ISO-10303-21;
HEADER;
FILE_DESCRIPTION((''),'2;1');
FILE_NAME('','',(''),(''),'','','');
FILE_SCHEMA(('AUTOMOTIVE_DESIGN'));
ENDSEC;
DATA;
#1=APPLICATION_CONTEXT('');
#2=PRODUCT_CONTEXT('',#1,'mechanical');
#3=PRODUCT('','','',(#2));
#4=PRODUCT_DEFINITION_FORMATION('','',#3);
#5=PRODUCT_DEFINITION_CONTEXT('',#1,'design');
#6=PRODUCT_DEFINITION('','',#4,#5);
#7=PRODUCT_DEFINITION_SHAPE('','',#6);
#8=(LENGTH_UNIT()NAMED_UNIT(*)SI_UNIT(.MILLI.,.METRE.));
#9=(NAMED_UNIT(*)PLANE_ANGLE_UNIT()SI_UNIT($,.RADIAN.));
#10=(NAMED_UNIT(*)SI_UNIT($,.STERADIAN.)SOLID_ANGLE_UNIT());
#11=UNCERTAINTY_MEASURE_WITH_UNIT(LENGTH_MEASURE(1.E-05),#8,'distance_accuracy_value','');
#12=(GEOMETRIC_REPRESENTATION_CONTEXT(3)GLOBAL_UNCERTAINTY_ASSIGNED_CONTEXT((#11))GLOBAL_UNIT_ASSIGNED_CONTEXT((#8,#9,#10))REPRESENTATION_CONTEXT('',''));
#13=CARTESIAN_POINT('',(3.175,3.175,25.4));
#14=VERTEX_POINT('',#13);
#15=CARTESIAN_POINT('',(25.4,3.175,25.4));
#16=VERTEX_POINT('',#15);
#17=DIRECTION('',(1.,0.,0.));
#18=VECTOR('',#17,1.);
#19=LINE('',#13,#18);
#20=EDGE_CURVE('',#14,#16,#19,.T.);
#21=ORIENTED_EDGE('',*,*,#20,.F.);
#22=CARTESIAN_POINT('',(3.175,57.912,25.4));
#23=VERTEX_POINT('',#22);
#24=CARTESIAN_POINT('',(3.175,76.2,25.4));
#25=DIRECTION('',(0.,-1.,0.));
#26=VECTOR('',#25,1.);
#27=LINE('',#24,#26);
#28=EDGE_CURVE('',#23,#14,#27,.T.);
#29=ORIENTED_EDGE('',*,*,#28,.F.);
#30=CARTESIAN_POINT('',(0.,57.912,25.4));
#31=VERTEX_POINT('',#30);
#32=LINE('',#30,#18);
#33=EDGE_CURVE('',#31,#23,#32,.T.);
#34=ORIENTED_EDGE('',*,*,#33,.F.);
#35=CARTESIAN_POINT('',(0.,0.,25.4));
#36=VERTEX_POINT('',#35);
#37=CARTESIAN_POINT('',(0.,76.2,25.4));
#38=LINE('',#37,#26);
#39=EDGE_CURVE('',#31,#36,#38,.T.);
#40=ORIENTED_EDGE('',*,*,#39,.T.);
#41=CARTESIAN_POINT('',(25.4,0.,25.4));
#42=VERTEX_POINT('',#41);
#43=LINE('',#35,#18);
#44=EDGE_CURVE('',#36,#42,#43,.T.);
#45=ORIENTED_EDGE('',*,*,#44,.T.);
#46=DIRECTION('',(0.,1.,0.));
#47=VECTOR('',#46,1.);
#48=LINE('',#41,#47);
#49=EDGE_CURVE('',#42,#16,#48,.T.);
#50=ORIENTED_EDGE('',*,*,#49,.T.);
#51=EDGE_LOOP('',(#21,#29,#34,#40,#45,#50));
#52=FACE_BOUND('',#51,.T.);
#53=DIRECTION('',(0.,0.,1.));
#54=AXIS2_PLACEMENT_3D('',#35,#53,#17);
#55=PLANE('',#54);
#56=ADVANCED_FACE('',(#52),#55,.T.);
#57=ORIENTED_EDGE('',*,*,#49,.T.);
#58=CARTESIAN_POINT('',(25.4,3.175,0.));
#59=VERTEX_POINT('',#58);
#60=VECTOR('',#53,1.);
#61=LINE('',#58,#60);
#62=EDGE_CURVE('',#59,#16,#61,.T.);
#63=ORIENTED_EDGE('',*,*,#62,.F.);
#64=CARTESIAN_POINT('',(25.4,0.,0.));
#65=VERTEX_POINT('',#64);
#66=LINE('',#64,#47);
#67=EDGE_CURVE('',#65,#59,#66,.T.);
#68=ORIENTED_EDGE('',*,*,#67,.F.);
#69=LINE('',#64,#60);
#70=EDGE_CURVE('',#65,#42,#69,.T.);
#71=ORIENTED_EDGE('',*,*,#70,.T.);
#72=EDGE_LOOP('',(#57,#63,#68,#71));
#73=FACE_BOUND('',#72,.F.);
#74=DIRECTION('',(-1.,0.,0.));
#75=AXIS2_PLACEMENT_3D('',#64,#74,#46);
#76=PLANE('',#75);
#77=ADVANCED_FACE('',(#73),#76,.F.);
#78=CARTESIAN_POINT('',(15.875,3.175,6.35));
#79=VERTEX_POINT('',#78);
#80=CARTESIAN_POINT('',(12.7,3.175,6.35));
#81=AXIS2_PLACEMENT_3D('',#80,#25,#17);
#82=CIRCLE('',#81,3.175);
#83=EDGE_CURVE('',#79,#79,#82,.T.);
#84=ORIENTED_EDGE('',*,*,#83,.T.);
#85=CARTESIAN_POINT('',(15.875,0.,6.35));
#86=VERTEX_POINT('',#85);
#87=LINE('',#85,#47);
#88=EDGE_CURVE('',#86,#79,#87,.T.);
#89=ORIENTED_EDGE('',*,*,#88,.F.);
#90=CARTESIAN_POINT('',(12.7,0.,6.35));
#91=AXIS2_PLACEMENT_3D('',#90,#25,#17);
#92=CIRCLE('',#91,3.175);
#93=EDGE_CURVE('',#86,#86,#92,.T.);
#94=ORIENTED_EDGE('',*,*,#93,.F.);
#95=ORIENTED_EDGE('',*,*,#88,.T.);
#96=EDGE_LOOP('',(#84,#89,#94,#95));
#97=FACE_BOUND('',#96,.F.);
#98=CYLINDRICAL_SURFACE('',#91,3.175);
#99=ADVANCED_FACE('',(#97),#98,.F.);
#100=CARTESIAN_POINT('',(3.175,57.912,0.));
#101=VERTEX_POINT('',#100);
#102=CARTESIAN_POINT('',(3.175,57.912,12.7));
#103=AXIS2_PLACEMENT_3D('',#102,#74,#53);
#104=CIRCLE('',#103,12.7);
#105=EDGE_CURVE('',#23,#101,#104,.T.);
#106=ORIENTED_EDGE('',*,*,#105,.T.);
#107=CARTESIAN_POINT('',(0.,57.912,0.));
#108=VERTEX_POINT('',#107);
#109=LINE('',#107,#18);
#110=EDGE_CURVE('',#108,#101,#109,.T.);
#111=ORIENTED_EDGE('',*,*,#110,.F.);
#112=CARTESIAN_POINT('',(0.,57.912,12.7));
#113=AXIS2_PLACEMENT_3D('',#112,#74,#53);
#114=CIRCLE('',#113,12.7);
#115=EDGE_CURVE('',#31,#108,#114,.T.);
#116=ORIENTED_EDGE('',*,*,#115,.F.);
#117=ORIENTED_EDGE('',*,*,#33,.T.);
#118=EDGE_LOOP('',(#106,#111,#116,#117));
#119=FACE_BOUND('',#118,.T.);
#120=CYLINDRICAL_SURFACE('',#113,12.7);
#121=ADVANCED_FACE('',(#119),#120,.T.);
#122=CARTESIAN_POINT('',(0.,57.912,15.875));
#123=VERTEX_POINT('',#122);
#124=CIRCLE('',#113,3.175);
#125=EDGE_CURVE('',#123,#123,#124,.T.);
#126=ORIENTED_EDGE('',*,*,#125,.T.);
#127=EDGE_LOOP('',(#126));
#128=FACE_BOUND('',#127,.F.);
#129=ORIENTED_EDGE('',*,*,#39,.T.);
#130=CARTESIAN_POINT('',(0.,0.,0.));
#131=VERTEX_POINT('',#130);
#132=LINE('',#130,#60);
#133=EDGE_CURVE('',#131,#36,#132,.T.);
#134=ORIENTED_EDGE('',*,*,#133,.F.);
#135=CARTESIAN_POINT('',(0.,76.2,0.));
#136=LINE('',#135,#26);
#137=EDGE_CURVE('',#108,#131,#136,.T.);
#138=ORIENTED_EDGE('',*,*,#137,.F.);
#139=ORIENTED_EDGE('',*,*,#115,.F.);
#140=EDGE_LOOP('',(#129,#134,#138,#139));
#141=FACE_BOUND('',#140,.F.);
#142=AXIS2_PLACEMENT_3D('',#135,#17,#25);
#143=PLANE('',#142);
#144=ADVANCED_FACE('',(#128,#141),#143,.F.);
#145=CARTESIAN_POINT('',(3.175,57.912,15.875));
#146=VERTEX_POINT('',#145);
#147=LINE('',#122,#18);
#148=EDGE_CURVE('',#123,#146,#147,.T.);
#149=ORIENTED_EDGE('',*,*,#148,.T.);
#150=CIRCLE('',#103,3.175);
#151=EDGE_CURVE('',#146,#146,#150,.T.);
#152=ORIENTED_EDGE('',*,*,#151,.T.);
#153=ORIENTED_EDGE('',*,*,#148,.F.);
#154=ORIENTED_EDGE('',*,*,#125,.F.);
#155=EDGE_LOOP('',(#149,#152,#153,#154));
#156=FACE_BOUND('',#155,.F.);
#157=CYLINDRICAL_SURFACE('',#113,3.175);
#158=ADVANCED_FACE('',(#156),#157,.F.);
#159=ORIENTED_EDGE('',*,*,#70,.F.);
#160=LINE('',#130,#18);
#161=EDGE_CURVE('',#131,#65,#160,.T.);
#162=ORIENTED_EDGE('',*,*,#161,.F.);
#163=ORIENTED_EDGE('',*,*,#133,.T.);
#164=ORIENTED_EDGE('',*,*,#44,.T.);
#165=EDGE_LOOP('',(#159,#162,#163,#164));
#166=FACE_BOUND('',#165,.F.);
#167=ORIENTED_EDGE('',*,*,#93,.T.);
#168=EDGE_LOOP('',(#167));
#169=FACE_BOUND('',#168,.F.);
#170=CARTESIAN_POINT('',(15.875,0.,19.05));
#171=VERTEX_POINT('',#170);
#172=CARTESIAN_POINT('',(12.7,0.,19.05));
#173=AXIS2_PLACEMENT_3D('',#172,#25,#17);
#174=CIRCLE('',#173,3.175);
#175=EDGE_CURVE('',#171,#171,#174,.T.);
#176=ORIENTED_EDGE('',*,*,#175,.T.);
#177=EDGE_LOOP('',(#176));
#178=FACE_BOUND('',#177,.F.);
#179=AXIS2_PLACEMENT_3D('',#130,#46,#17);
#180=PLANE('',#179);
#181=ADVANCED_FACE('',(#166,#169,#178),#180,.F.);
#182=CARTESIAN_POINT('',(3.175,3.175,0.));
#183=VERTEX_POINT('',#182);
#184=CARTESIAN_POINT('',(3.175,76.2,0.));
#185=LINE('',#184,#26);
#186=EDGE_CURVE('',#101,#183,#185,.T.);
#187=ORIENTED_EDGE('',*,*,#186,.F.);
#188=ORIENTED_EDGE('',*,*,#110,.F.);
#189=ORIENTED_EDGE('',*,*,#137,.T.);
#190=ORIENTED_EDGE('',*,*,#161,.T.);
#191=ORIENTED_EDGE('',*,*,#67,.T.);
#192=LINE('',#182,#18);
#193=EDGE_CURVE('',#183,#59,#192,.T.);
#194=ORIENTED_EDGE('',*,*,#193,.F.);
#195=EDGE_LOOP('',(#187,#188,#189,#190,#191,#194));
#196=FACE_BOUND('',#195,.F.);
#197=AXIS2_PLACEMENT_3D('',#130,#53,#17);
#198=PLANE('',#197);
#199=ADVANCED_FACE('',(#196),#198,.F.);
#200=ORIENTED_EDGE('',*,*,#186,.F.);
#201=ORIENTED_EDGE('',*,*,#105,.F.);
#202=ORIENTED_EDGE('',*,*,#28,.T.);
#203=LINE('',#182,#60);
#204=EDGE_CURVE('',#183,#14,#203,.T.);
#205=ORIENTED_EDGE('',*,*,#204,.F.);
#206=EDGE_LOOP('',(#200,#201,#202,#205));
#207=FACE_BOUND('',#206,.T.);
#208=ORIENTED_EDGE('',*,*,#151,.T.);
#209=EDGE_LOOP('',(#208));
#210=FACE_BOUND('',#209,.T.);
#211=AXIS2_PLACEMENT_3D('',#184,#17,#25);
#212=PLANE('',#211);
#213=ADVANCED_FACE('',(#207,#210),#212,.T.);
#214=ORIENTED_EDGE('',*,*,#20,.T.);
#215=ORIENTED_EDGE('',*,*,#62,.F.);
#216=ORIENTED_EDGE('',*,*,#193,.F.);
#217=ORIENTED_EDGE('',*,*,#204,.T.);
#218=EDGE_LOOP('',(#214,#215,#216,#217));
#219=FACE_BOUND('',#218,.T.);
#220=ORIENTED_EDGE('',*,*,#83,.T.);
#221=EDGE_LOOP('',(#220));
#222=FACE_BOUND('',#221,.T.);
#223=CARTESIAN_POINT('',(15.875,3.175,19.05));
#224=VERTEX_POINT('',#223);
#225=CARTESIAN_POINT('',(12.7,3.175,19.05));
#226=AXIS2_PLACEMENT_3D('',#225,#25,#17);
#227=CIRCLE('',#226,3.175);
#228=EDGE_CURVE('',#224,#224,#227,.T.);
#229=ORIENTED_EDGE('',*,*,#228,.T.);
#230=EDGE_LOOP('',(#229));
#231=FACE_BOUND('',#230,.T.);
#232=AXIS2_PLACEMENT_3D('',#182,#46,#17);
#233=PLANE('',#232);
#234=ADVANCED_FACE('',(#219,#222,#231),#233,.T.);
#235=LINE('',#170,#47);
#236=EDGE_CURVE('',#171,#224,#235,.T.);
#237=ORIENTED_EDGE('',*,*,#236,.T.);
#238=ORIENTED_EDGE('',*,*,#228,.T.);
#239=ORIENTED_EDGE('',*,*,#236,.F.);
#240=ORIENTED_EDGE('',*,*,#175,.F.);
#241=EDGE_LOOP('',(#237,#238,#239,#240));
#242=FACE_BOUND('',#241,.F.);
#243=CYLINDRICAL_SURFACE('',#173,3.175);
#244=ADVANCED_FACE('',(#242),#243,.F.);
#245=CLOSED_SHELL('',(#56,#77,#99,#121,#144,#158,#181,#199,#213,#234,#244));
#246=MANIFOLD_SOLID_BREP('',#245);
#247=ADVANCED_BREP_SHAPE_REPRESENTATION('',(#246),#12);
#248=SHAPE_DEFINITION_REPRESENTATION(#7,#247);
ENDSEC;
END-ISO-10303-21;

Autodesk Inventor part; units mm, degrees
ref_plane "YZ Plane" through (0, 0, 0) normal (1, 0, 0) x (0, 1, 0)
ref_plane "XZ Plane" through (0, 0, 0) normal (0, 1, 0) x (-1, 0, 0)
ref_plane "XY Plane" through (0, 0, 0) normal (0, 0, 1) x (1, 0, 0)
sketch "Sketch1" plane through (0, 0, 0) normal (0, 0, 1) x (1, 0, 0)
  line L0 (0, 0) -> (25.4, 0)
  line L1 (25.4, 0) -> (25.4, 3.175)
  line L2 (3.175, 76.2) -> (0, 76.2)
  line L3 (0, 76.2) -> (0, 0)
  line L4 (3.175, 76.2) -> (3.175, 3.175)
  line L5 (3.175, 3.175) -> (25.4, 3.175)
  dimension "d0" = 3.175
  dimension "d1" = 3.175
  dimension "d2" = 76.2
  dimension "d3" = 25.4
extrude "Extrusion1" add sketch "Sketch1" along normal blind 25.4
sketch "Sketch2" plane through (0, 0, 0) normal (0, -1, 0) x (1, 0, 0)
  line L0 (25.4, 25.4) -> (0, 25.4) projected
  line L1 (0, 0) -> (25.4, 0) projected
  line L2 (25.4, 0) -> (25.4, 25.4) projected
  circle A0 centre (12.7, 19.05) radius 3.175
  circle A1 centre (12.7, 6.35) radius 3.175
  dimension "d6" = 12.7
  dimension "d7" = 6.35
  dimension "d8" = 6.35
  dimension "d9" = 6.35
  dimension "d10" = 6.35
  dimension "d11" = 12.7
extrude "Extrusion2" cut sketch "Sketch2" against normal blind 25.4
sketch "Sketch3" plane through (0, 0, 0) normal (-1, 0, 0) x (0, 0, 1)
  line L0 (25.4, 0) -> (25.4, 76.2) projected
  line L1 (0, 0) -> (25.4, 0) projected
  circle A0 centre (12.7, 57.912) radius 3.175
  line L2 (0, 76.2) -> (0, 0) projected
  arc A1 (25.4, 57.912) -> (0, 57.912) centre (12.7, 57.912) ccw
  line L3 (0, 76.2) -> (25.4, 76.2) projected
  line L4 (0, 57.912) -> (0, 76.2)
  line L5 (25.4, 76.2) -> (25.4, 57.912)
  line L6 (25.4, 76.2) -> (0, 76.2)
  dimension "d14" = 6.35
  dimension "d15" = 57.912
  dimension "d16" = 12.7
extrude "Extrusion3" cut sketch "Sketch3" against normal blind 25.4 contours A1 L2 L3 L0 | A0
equation "\"d1\" = d0"
equation "\"d10\" = d8"
equation "\"d11\" = d6"
properties part number "uptake support bracket"
